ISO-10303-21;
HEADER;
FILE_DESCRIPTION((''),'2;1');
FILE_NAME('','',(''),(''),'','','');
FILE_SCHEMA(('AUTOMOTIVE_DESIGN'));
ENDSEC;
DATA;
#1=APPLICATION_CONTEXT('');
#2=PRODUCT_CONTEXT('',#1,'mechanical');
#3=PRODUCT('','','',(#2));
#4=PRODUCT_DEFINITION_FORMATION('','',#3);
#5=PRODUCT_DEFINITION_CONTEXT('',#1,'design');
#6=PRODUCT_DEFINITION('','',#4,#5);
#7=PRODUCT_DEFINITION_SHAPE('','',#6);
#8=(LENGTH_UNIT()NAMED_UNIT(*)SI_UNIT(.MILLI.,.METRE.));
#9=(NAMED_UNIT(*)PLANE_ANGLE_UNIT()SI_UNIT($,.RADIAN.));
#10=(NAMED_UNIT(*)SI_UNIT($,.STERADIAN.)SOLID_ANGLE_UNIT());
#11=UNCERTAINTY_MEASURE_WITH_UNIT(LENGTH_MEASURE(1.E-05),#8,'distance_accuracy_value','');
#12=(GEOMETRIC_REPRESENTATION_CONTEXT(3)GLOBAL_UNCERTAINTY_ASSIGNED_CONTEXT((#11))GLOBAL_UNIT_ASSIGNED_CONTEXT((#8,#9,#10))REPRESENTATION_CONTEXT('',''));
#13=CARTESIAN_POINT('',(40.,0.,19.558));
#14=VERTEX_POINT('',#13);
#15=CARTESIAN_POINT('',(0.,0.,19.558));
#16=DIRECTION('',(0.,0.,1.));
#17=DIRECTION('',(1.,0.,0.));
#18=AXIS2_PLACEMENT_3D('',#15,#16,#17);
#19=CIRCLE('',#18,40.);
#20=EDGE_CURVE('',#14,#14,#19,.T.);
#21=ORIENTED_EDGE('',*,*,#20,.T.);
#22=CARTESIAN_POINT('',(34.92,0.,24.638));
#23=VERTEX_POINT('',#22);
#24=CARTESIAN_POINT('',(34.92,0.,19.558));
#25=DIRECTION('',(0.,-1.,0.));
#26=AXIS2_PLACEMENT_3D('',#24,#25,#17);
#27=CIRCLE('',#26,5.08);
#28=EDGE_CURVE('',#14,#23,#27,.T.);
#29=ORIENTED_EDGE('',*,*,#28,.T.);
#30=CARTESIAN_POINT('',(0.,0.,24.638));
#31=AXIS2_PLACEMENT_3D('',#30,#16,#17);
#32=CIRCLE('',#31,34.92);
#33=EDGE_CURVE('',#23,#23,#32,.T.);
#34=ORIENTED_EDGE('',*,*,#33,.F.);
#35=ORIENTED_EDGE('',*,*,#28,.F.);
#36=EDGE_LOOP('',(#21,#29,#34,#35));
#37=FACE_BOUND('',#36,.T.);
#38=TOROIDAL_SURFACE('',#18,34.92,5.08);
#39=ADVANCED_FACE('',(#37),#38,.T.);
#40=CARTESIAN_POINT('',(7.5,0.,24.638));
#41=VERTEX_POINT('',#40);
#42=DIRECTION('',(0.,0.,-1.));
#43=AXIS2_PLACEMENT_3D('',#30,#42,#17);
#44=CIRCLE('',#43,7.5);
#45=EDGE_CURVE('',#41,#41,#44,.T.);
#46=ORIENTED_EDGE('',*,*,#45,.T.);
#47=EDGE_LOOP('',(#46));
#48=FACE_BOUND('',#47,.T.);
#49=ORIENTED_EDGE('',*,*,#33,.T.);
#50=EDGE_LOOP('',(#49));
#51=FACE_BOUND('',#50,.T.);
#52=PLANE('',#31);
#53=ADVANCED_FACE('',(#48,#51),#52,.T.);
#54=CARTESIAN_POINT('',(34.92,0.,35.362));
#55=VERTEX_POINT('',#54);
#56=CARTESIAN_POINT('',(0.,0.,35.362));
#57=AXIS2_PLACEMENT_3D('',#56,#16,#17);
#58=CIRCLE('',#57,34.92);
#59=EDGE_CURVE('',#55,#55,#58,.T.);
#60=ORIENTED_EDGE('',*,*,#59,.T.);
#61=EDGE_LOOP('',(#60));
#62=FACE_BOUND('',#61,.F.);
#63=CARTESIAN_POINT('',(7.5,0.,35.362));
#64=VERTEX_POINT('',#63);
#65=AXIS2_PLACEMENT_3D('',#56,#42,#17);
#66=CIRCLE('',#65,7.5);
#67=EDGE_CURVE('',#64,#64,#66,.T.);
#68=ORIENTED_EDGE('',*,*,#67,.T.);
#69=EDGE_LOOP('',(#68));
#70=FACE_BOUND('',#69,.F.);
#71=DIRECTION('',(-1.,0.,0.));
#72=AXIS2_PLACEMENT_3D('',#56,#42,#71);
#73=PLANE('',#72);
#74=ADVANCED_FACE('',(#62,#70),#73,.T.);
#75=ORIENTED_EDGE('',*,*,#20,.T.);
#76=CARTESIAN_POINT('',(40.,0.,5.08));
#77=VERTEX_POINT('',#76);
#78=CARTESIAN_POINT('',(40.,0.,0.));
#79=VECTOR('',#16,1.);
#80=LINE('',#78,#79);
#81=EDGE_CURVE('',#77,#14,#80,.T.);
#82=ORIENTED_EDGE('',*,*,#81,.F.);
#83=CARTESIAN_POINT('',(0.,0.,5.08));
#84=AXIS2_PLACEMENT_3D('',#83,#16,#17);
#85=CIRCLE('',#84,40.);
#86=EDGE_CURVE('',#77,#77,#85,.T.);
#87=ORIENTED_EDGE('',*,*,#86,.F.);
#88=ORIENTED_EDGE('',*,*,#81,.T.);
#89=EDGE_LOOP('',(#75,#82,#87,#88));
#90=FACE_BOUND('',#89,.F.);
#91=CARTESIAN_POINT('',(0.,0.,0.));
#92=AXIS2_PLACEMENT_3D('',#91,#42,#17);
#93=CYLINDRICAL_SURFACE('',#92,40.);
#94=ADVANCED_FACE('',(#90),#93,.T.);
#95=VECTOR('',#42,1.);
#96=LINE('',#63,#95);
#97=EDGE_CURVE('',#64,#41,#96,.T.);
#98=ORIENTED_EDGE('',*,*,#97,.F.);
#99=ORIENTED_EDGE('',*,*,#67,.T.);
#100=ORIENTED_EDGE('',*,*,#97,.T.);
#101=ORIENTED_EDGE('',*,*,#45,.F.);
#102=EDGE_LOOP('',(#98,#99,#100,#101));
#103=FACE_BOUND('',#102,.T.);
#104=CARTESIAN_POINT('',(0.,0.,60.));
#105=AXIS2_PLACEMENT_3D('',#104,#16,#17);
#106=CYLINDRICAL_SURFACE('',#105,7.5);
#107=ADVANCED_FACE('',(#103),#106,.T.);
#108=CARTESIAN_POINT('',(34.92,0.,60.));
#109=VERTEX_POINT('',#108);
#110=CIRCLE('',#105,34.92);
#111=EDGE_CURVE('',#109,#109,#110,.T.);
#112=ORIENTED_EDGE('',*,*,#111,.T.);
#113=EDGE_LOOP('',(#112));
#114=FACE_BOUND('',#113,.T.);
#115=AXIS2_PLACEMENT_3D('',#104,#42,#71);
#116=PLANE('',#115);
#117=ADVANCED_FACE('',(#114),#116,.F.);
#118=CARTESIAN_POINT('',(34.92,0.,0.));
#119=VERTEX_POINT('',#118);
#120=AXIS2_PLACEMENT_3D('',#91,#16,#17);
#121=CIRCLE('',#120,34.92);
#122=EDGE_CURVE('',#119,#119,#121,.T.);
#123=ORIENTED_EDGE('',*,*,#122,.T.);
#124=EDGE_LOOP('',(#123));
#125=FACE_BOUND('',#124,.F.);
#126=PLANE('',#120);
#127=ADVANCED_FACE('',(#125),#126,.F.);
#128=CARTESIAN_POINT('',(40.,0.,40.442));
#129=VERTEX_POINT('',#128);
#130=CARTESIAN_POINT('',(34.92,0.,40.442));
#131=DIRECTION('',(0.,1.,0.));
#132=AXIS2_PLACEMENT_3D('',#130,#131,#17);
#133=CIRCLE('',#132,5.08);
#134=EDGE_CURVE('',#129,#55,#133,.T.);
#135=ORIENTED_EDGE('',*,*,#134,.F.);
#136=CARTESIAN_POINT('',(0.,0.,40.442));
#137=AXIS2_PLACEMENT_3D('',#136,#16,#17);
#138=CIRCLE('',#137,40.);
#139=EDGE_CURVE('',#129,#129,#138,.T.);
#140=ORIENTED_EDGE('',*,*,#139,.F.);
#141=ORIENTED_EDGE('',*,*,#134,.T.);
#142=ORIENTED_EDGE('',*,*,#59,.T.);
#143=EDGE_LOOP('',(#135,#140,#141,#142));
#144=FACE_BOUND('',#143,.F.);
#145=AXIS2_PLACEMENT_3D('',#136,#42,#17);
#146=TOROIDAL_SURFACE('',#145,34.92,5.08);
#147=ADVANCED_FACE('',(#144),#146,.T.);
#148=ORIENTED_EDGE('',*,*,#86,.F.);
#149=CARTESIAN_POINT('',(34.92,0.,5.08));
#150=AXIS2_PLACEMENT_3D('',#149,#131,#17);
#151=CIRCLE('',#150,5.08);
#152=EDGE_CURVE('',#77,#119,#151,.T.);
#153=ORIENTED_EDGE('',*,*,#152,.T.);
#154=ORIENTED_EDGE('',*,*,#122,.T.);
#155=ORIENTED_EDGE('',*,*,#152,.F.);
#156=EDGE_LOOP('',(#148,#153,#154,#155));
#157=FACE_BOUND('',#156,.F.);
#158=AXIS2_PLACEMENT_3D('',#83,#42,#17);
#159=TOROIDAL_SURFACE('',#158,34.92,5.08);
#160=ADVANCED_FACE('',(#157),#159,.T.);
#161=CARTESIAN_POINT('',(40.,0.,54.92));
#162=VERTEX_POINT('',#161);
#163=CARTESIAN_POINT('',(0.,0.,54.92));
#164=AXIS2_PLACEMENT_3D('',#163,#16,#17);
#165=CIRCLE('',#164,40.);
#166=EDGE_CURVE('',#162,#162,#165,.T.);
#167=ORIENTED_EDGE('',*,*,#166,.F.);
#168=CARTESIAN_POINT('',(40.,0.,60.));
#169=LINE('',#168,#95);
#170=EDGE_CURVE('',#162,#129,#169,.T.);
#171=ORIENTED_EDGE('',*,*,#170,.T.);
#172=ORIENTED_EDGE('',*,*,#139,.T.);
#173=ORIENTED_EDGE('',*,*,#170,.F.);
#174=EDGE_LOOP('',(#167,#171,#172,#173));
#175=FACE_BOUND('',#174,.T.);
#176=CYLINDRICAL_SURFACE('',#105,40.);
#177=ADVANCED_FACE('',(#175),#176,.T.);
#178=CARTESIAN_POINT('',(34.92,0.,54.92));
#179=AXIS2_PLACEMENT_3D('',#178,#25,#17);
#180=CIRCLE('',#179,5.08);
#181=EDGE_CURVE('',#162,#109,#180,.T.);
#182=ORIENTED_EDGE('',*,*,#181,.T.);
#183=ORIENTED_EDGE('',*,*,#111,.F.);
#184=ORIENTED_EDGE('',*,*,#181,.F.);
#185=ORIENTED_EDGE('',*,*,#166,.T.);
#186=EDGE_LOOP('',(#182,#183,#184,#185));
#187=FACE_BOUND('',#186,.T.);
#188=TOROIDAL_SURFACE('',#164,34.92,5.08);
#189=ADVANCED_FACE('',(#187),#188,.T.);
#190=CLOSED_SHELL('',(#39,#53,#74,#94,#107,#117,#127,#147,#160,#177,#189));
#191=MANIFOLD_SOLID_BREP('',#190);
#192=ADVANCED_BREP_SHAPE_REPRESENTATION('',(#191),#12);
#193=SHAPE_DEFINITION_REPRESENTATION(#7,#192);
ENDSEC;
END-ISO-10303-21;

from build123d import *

# Parameters (mm, degrees)
F0_R     = 40
F1_DEPTH = 24.638
F2_R     = 5.08
F3_R     = 7.5
F4_DEPTH = 30


with BuildPart() as f1:
    # F0 (on Top) → F1 (new body)
    with BuildSketch(Plane.XY):
        Circle(F0_R)
    extrude(amount=F1_DEPTH)

    # F2
    f2_edges = [f1.edges().sort_by_distance(p)[0] for p in [
        (-40, 0, 24.638),
        (-40, 0, 0),
    ]]
    fillet(f2_edges, radius=F2_R)

    # F3 (on Top) → F4 (join)
    with BuildSketch(Plane.XY):
        Circle(F3_R)
    extrude(amount=F4_DEPTH)

    # F5: F1 across face


with BuildPart() as f1_1:
    add(f1.part)
    add(f1.part.mirror(Plane.XY.offset(30)))


solid = f1_1.part
